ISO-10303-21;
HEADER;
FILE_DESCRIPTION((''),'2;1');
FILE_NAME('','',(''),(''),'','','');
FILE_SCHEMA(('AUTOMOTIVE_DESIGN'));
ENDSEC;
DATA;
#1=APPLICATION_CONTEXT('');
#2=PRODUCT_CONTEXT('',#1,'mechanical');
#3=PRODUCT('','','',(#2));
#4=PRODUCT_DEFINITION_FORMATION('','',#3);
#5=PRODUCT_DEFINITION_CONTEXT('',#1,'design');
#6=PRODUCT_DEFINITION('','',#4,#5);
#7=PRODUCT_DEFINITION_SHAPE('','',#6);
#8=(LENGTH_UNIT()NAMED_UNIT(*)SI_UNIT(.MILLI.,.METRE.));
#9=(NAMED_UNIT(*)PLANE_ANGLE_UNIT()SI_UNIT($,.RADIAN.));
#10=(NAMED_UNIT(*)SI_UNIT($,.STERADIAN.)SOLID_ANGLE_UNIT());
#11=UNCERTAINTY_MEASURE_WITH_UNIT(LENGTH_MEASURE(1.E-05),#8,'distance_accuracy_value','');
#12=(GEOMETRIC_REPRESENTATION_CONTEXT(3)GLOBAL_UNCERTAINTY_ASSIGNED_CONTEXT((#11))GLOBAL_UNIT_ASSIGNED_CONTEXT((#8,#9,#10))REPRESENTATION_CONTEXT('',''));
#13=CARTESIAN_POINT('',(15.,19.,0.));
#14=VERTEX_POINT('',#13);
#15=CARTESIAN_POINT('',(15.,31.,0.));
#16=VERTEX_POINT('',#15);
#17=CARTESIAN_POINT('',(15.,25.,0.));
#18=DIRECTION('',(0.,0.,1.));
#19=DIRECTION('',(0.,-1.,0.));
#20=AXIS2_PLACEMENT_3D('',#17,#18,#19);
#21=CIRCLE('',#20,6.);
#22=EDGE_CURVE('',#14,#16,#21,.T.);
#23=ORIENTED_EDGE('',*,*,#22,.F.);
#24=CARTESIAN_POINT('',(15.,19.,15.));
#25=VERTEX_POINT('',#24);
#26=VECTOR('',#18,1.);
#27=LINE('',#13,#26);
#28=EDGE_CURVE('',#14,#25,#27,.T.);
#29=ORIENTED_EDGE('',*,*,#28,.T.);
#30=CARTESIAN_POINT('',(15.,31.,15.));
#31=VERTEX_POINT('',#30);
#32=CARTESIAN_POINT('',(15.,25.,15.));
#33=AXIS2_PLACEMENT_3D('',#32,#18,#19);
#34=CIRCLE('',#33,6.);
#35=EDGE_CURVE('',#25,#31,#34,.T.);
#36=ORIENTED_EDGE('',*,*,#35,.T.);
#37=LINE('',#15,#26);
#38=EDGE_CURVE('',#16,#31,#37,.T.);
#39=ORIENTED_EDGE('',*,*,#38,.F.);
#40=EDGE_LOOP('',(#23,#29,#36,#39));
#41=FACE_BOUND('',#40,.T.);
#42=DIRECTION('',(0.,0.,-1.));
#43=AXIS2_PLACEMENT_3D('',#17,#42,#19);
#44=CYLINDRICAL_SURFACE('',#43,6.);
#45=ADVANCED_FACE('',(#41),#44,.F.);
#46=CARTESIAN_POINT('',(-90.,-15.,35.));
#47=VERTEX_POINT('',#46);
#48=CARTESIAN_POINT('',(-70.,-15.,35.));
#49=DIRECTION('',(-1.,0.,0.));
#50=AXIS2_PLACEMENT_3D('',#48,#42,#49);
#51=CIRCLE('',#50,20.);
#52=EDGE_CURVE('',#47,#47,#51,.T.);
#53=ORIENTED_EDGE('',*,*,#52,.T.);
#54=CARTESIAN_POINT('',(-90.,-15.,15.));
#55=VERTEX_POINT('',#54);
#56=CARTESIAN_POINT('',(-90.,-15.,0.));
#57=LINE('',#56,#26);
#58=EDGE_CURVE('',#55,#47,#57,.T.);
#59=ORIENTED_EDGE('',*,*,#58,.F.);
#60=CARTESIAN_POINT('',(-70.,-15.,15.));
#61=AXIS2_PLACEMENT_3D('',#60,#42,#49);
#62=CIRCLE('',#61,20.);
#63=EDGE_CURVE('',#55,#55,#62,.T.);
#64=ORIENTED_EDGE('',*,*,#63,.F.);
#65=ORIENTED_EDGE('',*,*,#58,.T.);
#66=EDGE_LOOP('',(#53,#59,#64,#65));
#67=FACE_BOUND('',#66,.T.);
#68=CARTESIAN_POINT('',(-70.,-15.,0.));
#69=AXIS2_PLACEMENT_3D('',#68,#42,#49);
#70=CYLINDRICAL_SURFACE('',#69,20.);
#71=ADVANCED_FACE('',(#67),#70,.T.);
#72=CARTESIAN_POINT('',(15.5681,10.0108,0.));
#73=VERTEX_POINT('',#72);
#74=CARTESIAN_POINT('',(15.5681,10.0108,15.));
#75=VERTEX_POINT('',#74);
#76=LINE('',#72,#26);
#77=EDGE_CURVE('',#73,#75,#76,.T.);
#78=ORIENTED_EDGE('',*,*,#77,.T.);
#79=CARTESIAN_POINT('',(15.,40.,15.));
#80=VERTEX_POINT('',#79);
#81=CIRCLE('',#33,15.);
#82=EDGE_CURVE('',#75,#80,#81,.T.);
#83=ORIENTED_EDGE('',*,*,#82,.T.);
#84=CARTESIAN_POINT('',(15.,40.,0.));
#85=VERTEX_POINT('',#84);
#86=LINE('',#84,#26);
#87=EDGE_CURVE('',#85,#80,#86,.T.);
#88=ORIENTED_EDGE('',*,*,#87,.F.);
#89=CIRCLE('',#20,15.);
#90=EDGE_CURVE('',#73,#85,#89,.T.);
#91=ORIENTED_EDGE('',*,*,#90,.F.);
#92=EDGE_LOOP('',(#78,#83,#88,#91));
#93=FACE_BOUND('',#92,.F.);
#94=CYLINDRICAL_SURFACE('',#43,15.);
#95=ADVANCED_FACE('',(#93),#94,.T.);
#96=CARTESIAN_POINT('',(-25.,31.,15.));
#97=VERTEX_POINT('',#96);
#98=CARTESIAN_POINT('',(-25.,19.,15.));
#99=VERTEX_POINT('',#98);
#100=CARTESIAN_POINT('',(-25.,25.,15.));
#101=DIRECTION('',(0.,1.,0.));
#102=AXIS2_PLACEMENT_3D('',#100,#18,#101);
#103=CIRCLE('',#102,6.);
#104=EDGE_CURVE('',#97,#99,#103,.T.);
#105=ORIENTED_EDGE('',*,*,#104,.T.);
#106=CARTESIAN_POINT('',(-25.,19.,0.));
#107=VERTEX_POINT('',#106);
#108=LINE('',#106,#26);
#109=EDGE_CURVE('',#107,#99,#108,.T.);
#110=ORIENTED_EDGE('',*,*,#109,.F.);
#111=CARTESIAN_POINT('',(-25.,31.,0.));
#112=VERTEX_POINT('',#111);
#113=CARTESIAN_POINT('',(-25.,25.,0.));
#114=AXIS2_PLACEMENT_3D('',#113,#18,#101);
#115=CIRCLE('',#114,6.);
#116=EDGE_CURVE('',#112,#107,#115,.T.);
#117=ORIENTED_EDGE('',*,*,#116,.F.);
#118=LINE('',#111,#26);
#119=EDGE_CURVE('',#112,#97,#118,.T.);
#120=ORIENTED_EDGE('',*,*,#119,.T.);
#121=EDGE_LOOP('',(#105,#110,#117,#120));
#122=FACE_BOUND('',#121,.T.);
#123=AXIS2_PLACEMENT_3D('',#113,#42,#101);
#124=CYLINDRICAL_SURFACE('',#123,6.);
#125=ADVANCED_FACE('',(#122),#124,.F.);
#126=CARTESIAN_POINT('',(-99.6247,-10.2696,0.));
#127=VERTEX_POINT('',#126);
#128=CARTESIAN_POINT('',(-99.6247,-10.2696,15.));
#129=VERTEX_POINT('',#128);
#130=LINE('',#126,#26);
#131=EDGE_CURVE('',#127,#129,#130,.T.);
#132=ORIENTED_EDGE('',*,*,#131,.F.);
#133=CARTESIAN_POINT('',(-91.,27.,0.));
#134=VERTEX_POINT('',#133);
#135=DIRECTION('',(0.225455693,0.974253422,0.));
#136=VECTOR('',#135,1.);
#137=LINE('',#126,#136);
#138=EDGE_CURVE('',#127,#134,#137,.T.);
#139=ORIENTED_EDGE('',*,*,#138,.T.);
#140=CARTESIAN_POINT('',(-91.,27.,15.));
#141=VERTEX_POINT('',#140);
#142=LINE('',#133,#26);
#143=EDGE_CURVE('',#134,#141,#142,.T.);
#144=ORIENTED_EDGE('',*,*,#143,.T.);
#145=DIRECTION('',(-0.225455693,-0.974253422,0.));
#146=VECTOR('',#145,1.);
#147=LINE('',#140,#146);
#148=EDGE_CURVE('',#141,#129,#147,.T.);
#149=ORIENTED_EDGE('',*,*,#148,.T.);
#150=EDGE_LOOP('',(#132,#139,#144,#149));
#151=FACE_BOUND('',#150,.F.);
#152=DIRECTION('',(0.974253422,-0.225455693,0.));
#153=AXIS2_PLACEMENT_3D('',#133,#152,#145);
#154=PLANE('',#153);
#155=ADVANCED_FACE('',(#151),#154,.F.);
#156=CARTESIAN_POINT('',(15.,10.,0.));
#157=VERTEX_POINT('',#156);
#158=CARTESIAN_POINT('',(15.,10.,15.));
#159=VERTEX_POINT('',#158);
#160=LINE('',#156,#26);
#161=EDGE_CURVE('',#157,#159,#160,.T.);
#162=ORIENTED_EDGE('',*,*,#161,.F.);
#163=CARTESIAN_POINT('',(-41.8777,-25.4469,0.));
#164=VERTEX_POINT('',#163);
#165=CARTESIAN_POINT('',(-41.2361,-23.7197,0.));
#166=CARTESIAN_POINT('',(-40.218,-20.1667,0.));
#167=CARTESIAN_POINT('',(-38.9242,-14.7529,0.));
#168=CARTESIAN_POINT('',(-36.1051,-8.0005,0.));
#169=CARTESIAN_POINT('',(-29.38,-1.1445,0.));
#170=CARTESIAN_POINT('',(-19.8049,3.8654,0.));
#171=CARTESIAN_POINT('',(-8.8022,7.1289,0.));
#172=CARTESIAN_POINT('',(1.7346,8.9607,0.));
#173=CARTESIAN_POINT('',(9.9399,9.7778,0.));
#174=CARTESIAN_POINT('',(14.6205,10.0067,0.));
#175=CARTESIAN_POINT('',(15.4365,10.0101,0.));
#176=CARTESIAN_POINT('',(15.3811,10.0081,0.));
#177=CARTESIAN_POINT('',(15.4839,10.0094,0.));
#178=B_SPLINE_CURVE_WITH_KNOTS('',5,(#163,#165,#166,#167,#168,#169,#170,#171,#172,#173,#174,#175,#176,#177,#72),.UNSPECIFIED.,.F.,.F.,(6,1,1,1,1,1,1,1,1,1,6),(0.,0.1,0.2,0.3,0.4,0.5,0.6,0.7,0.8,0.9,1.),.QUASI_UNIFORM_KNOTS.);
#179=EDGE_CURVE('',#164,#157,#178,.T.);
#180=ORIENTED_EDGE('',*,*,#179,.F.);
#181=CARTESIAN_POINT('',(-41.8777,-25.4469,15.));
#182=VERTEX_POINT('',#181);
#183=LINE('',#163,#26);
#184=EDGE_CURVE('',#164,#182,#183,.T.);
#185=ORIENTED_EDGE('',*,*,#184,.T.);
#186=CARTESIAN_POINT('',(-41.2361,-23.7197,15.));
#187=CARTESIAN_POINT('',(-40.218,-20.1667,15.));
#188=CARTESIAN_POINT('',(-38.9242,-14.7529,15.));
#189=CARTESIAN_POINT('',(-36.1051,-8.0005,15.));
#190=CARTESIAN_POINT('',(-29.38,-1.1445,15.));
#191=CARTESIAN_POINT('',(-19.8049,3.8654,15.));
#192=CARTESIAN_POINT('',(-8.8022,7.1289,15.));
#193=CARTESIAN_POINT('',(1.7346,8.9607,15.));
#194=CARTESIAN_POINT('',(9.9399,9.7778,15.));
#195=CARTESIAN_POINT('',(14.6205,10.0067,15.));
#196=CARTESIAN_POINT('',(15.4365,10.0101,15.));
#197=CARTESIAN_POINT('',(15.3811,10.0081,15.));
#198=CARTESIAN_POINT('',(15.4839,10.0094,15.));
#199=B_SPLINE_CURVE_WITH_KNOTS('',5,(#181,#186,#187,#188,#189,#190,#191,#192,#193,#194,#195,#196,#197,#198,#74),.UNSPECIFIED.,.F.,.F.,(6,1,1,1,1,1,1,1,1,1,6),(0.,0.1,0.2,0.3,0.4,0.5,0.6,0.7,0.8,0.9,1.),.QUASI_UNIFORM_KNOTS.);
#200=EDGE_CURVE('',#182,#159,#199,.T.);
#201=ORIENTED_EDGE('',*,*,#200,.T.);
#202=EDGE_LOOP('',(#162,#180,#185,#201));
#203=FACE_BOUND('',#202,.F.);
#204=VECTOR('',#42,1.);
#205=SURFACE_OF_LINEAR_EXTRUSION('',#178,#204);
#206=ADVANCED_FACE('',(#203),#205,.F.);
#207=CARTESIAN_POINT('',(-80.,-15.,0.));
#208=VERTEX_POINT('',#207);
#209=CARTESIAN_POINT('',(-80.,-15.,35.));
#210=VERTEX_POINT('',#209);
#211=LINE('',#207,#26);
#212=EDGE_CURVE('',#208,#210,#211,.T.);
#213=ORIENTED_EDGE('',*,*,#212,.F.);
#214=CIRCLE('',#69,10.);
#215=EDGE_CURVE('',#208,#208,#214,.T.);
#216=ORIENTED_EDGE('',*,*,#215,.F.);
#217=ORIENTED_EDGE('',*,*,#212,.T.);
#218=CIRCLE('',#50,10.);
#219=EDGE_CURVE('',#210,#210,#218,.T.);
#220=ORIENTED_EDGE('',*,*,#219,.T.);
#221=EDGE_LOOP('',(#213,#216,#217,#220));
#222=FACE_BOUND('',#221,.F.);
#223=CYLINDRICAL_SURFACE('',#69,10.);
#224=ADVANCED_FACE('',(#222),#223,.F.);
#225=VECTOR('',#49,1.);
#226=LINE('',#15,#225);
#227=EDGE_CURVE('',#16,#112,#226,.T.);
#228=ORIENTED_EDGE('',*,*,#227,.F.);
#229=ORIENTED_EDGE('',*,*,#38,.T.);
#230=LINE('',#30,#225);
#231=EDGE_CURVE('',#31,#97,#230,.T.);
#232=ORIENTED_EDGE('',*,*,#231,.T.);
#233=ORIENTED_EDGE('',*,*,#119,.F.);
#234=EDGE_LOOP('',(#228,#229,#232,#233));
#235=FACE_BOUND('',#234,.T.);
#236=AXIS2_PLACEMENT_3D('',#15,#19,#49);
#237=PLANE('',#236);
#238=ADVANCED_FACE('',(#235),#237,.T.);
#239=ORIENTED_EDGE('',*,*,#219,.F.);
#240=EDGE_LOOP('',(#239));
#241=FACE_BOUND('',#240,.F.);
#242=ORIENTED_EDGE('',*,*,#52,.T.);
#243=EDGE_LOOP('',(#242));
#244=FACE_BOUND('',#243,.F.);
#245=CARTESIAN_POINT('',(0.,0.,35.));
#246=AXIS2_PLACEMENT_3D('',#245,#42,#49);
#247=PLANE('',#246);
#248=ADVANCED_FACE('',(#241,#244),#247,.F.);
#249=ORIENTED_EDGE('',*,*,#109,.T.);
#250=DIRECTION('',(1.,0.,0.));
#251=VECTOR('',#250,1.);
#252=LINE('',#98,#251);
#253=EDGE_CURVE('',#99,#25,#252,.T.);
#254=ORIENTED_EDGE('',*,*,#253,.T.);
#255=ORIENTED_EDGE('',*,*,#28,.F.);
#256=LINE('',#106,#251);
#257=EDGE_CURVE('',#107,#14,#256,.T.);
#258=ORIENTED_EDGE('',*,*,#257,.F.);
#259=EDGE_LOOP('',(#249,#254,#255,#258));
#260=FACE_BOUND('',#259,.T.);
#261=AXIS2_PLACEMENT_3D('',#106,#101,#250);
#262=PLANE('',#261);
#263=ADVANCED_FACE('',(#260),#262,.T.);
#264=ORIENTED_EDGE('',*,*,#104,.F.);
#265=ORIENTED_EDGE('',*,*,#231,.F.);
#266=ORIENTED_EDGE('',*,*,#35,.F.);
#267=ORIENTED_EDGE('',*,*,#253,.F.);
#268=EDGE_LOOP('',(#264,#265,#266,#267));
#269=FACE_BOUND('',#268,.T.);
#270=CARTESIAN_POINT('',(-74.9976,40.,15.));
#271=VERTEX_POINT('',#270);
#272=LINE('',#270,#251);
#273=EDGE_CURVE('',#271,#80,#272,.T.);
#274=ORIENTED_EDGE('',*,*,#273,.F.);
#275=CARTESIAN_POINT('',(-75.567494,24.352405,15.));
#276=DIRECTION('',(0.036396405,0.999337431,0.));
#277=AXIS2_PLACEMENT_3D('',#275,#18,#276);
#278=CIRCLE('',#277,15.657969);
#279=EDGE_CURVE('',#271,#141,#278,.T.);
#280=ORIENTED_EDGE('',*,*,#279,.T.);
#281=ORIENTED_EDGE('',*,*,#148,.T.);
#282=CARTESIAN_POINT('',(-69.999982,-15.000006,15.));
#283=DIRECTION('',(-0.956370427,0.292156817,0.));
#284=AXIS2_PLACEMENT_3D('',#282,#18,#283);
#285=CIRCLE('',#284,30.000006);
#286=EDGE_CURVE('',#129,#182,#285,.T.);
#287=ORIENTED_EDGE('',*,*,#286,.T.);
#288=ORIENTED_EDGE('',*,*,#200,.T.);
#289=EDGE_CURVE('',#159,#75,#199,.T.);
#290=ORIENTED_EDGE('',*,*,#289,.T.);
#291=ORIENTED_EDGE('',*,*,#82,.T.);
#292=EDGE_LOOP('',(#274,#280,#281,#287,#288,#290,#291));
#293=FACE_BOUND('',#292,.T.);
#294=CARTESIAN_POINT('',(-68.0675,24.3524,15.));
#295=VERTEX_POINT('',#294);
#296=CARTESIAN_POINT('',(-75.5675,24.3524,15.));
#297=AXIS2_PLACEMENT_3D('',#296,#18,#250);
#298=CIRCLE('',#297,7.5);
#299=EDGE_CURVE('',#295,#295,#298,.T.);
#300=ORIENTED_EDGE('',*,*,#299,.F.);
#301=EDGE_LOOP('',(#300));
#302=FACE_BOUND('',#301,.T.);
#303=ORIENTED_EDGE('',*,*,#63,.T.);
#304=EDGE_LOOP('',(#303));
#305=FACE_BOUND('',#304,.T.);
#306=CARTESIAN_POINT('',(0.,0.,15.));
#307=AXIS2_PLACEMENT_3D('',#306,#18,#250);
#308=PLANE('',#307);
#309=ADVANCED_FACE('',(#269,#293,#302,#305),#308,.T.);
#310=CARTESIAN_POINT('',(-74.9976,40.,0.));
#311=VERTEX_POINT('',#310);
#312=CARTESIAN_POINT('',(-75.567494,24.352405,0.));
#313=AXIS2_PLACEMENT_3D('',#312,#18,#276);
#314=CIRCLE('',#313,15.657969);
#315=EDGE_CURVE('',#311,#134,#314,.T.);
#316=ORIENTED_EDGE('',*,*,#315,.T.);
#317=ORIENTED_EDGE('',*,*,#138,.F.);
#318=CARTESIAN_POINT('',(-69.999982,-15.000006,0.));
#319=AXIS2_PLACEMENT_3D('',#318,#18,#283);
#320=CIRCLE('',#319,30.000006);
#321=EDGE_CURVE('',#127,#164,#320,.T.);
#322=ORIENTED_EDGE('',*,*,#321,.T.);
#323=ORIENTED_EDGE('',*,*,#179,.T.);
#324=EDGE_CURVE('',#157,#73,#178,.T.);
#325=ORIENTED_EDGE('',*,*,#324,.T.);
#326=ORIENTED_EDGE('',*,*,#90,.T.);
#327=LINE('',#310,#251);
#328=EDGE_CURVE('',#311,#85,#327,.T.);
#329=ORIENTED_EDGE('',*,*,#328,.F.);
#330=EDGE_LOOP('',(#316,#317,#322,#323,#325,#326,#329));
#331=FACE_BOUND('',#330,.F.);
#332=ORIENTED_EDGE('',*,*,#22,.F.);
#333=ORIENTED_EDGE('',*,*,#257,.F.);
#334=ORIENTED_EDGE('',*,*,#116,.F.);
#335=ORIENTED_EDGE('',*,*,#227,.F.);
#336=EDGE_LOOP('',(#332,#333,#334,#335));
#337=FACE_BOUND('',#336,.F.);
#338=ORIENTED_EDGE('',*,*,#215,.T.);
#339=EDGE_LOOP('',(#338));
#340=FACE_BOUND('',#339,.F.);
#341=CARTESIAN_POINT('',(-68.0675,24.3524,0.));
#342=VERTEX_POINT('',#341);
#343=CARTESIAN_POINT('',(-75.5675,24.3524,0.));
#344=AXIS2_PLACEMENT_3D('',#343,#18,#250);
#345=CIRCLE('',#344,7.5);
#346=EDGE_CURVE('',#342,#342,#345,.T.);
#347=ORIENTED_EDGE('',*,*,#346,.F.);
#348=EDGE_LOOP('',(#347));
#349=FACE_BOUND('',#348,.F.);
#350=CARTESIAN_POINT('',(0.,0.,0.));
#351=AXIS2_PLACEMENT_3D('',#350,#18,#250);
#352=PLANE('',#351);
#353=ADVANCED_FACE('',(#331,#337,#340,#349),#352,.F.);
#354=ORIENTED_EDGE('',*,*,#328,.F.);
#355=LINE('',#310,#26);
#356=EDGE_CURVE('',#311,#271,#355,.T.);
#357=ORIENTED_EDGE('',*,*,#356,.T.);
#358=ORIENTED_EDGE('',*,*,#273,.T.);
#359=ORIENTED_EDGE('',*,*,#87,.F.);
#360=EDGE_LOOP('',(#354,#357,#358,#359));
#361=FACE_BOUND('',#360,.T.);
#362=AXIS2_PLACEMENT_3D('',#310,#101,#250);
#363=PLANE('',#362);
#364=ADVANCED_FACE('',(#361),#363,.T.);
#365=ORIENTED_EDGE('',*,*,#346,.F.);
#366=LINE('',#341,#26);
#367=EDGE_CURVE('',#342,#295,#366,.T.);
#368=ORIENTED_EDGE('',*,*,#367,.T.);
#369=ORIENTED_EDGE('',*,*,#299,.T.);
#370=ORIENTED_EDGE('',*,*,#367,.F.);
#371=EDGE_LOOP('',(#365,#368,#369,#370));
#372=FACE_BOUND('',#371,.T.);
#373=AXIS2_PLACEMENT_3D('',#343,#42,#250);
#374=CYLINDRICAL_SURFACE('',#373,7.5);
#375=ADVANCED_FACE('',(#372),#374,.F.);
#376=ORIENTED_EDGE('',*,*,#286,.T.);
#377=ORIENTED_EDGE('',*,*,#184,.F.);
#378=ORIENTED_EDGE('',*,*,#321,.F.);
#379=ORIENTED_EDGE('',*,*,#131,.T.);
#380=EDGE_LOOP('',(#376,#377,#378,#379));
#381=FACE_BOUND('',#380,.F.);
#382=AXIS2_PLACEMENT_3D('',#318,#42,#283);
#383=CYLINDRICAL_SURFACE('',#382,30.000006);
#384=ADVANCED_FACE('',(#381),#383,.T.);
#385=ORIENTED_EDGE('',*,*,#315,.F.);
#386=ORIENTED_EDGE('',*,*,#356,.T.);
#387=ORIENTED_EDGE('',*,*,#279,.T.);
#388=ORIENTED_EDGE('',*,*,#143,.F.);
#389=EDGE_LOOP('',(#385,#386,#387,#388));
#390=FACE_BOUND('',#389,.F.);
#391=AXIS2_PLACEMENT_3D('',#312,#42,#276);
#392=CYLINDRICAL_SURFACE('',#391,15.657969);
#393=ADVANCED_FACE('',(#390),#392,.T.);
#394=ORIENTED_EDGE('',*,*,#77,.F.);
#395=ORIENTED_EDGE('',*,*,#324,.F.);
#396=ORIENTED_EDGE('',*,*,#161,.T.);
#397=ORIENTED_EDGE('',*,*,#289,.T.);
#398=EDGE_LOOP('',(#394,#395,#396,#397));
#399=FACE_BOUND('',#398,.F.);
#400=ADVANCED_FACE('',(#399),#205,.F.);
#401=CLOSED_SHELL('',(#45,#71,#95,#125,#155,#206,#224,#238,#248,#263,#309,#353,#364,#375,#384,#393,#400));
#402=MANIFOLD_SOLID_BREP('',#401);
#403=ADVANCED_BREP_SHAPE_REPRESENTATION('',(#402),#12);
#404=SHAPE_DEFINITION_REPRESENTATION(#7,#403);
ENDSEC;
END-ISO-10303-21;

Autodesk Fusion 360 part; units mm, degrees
sketch "Esboço1" plane through (0, 0, 0) normal (0, 0, 1) x (1, 0, 0)
  circle A0 centre (-75.5675, 24.3524) radius 7.5
  line L0 (-74.9976, 40) -> (15, 40)
  circle A1 centre (-70, -15) radius 10
  circle A2 centre (-70, -15) radius 20
  arc A3 (-74.9976, 40) -> (-91, 27) centre (-75.5675, 24.3524) ccw
  arc A4 (-98.6911, -6.2353) -> (-41.8777, -25.4469) centre (-70, -15) ccw
  line L1 (-91, 27) -> (-99.6247, -10.2696)
  spline S0 degree 5 poles (-41.8778, -25.447) (-41.2361, -23.7197) (-40.218, -20.1667) (-38.9242, -14.7529) (-36.1051, -8.0005) (-29.38, -1.1445) (-19.8049, 3.8654) (-8.8022, 7.1289) (1.7346, 8.9607) (9.9399, 9.7778) (14.6205, 10.0067) (15.4365, 10.0101) (15.3811, 10.0081) (15.4839, 10.0094) (15.5681, 10.0108) knots 0 0 0 0 0 0 0.1 0.2 0.3 0.4 0.5 0.6 0.7 0.8 0.9 1 1 1 1 1 1
  line L2 (7.592, 9.8796) -> (23.5441, 10.1419)
  arc A5 (15, 10) -> (15, 40) centre (15, 25) ccw
  line L3 (-25, 19) -> (15, 19)
  line L4 (15, 31) -> (-25, 31)
  arc A6 (-25, 31) -> (-25, 19) centre (-25, 25) ccw
  arc A7 (15, 19) -> (15, 31) centre (15, 25) ccw
  dimension "d3" = 12
extrude "Extrusão1" add sketch "Esboço1" along normal blind 15 contours L0 A3 A4 L1 S0 L2 A5
sketch "Esboço2" plane through (0, 0, 0) normal (0, 0, -1) x (-1, 0, 0)
  circle A0 centre (75.5675, 24.3524) radius 7.5
  arc A1 (-15, 31) -> (-15, 19) centre (-15, 25) ccw
  line L0 (-15, 31) -> (25, 31)
  arc A2 (25, 19) -> (25, 31) centre (25, 25) ccw
  line L1 (25, 19) -> (-15, 19)
  circle A3 centre (70, -15) radius 20
  arc A4 (91, 27) -> (74.9976, 40) centre (75.5675, 24.3524) ccw
  line L2 (74.9976, 40) -> (-15, 40)
  arc A5 (-15, 40) -> (-15.5681, 10.0108) centre (-15, 25) ccw
  spline S0 degree 5 poles (41.8777, -25.4469) (41.2361, -23.7197) (40.218, -20.1666) (38.9242, -14.7529) (36.1051, -8.0004) (29.38, -1.1445) (19.8049, 3.8654) (8.8022, 7.1289) (-1.7346, 8.9607) (-9.9399, 9.7778) (-14.6205, 10.0067) (-15.4365, 10.0101) (-15.3811, 10.0081) (-15.4839, 10.0094) (-15.5681, 10.0108) knots 0.000001 0.000001 0.000001 0.000001 0.000001 0.000001 0.1 0.2 0.3 0.4 0.5 0.6 0.7 0.8 0.9 1 1 1 1 1 1
  line L3 (41.8777, -25.4469) -> (41.8778, -25.447)
  arc A6 (41.8778, -25.447) -> (99.6247, -10.2696) centre (70, -15) ccw
  line L4 (99.6247, -10.2696) -> (91, 27)
  circle A7 centre (70, -15) radius 20
  circle A8 centre (70, -15) radius 10
  dimension "d15" = 40
  dimension "d16" = 20
extrude "Extrusão2" add sketch "Esboço2" against normal blind 35 contours A3 A7
